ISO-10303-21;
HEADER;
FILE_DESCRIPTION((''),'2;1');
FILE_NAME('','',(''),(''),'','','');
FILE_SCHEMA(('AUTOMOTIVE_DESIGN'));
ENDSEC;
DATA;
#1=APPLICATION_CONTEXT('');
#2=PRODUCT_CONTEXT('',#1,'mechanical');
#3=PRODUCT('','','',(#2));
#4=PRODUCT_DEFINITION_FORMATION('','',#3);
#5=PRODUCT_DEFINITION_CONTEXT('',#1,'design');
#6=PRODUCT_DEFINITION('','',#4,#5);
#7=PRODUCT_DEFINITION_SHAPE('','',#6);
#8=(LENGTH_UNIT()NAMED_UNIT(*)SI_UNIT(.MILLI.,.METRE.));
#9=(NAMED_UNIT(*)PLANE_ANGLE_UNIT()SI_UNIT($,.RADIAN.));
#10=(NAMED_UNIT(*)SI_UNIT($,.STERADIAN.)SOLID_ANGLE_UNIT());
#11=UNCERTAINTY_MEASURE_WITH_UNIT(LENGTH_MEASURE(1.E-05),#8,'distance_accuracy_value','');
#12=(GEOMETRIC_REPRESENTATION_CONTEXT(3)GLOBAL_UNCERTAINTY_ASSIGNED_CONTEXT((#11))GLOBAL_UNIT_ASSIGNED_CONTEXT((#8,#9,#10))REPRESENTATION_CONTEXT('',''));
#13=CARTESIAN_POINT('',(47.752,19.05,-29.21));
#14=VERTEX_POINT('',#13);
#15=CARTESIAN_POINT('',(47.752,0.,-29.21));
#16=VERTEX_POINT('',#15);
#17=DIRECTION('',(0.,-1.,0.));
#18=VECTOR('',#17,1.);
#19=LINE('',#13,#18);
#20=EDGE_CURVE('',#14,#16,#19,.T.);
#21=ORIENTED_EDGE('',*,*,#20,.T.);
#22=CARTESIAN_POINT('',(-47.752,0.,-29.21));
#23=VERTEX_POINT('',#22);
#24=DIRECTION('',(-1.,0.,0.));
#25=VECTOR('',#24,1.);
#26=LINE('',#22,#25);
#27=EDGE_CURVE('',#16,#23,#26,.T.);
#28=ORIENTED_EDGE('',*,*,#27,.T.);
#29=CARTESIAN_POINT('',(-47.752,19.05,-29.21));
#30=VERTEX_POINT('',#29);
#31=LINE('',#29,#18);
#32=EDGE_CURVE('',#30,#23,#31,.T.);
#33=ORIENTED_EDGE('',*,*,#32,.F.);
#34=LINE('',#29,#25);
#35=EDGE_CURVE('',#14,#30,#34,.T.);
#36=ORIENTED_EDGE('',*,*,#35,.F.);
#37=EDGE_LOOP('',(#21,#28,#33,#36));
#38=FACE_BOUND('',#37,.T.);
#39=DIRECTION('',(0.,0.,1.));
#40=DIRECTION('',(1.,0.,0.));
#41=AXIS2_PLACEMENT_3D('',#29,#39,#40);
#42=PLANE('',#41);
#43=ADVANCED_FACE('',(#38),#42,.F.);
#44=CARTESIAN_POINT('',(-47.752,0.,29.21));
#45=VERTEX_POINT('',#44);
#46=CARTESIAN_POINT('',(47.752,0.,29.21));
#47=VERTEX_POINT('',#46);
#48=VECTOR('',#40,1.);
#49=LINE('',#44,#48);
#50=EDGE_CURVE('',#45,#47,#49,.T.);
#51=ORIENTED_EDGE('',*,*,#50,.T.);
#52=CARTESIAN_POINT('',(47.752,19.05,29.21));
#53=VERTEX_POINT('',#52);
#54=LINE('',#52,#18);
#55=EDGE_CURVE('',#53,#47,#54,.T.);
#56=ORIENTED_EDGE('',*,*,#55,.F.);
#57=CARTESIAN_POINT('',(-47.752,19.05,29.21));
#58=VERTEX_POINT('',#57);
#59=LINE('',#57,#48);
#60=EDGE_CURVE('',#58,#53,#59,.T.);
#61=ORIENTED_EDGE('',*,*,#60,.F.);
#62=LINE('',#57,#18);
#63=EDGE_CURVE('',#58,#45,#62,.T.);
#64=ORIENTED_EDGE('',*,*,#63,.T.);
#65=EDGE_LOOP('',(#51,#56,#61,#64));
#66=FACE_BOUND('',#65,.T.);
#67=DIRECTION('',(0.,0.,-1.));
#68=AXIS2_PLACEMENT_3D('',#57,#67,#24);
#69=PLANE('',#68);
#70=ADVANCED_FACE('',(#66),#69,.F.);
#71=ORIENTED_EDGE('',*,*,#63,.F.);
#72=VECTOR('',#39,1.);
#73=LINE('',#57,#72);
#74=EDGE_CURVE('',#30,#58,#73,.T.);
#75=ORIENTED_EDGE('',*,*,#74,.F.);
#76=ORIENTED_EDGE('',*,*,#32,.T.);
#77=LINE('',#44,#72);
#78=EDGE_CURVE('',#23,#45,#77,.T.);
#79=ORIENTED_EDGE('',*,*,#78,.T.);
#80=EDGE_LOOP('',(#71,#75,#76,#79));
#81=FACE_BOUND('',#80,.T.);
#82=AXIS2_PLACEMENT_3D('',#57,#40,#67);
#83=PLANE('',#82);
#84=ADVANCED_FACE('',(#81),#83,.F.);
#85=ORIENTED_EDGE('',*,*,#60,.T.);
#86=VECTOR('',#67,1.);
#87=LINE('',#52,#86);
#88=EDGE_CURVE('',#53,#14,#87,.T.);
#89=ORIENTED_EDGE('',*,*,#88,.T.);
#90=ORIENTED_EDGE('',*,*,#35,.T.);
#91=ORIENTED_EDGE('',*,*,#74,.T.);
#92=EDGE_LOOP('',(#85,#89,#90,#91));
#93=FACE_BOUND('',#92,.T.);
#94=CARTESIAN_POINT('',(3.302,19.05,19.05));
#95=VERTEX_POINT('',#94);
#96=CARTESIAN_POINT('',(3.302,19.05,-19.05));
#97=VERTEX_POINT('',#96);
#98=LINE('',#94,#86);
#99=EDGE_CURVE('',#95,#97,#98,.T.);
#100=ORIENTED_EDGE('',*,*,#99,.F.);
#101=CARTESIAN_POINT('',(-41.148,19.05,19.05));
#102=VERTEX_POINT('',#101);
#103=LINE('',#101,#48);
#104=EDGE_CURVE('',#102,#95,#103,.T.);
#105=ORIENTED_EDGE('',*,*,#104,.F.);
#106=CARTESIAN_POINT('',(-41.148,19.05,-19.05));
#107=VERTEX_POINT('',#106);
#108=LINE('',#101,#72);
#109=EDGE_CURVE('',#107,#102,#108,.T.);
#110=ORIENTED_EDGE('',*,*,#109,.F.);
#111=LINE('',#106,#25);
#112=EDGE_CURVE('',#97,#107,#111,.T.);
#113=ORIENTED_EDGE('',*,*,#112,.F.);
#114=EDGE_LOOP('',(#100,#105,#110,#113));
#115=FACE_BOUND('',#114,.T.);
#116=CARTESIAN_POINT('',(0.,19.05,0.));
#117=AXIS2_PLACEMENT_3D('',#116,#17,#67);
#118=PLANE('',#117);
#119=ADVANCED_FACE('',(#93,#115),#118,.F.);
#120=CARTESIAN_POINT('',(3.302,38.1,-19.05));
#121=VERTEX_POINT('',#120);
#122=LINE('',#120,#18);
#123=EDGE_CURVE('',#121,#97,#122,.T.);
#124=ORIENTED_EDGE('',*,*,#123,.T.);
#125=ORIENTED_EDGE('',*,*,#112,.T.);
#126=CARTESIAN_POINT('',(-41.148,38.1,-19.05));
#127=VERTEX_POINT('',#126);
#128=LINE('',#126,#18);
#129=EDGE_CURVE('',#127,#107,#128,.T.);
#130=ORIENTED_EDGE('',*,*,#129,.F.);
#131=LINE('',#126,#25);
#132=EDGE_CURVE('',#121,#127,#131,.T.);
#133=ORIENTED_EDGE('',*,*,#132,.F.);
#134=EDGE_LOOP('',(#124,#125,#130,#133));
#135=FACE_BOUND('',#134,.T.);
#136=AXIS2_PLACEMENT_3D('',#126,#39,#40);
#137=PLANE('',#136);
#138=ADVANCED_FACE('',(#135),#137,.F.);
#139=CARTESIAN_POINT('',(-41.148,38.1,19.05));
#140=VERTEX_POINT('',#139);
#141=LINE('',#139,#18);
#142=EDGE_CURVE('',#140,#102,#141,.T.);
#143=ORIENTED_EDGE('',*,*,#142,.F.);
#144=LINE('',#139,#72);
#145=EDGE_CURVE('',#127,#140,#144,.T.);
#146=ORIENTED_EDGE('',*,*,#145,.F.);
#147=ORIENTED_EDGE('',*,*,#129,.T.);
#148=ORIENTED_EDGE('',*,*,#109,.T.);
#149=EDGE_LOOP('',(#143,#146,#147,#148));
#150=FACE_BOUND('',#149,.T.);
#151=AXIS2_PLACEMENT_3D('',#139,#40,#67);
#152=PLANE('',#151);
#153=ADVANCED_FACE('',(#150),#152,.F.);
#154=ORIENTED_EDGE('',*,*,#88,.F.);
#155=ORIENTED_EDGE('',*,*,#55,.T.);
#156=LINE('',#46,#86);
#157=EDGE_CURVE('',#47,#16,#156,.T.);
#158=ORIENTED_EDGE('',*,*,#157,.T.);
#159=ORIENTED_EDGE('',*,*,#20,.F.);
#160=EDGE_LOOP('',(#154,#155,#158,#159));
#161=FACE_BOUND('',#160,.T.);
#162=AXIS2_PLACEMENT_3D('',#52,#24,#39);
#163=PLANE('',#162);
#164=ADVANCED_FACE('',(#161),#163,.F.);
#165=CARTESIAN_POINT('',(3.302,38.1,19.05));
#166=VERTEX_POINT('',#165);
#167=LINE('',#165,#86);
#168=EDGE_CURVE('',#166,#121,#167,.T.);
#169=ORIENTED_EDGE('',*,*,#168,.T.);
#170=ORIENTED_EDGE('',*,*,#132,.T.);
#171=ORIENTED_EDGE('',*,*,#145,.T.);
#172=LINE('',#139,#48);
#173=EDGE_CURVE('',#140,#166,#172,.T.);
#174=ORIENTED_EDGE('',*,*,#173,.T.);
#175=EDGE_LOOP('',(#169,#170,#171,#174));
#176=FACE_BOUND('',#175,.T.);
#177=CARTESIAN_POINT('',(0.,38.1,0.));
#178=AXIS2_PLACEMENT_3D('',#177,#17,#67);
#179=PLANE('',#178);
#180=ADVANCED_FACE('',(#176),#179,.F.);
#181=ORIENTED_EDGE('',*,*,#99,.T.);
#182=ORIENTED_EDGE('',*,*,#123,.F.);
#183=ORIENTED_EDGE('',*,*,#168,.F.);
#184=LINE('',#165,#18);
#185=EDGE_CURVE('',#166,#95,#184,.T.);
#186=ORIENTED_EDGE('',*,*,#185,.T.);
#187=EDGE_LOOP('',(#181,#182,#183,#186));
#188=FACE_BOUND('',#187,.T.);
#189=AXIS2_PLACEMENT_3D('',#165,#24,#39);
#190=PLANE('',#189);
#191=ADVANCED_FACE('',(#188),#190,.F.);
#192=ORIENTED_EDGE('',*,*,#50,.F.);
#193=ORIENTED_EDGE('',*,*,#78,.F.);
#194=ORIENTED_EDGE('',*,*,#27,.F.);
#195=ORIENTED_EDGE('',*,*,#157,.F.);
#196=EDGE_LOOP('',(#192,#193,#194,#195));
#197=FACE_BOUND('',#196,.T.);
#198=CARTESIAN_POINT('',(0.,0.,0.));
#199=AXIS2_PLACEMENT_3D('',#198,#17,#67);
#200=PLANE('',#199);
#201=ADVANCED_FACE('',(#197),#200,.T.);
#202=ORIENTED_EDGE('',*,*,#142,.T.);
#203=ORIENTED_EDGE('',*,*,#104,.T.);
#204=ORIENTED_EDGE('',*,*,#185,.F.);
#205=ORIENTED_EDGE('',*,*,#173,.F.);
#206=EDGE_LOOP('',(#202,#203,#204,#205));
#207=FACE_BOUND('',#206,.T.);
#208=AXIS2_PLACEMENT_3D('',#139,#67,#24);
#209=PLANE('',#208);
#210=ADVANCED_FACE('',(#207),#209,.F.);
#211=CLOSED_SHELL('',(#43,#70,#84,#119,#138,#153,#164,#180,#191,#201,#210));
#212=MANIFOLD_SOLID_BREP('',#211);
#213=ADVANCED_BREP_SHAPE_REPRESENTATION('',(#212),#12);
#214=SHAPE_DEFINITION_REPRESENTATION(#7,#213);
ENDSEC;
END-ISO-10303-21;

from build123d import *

# Parameters (mm, degrees)
SKETCH1_W           = 95.504
SKETCH1_H           = 58.42
BOSS_EXTRUDE1_DEPTH = 19.05
SKETCH2_W           = 44.45
SKETCH2_H           = 38.1
BOSS_EXTRUDE2_DEPTH = 19.05


with BuildPart() as part:
    # Sketch1 → Boss-Extrude1 (new body)
    with BuildSketch(Plane(origin=(0, 0, 0), x_dir=(1, 0, 0), z_dir=(0, 1, 0))):
        Rectangle(SKETCH1_W, SKETCH1_H)
    extrude(amount=BOSS_EXTRUDE1_DEPTH)

    # Sketch2 → Boss-Extrude2 (add)
    with BuildSketch(Plane(origin=(0, 19.05, 0), x_dir=(1, 0, 0), z_dir=(0, 1, 0))):
        with Locations((-18.923, 0)):
            Rectangle(SKETCH2_W, SKETCH2_H)
    extrude(amount=BOSS_EXTRUDE2_DEPTH)


solid = part.part
